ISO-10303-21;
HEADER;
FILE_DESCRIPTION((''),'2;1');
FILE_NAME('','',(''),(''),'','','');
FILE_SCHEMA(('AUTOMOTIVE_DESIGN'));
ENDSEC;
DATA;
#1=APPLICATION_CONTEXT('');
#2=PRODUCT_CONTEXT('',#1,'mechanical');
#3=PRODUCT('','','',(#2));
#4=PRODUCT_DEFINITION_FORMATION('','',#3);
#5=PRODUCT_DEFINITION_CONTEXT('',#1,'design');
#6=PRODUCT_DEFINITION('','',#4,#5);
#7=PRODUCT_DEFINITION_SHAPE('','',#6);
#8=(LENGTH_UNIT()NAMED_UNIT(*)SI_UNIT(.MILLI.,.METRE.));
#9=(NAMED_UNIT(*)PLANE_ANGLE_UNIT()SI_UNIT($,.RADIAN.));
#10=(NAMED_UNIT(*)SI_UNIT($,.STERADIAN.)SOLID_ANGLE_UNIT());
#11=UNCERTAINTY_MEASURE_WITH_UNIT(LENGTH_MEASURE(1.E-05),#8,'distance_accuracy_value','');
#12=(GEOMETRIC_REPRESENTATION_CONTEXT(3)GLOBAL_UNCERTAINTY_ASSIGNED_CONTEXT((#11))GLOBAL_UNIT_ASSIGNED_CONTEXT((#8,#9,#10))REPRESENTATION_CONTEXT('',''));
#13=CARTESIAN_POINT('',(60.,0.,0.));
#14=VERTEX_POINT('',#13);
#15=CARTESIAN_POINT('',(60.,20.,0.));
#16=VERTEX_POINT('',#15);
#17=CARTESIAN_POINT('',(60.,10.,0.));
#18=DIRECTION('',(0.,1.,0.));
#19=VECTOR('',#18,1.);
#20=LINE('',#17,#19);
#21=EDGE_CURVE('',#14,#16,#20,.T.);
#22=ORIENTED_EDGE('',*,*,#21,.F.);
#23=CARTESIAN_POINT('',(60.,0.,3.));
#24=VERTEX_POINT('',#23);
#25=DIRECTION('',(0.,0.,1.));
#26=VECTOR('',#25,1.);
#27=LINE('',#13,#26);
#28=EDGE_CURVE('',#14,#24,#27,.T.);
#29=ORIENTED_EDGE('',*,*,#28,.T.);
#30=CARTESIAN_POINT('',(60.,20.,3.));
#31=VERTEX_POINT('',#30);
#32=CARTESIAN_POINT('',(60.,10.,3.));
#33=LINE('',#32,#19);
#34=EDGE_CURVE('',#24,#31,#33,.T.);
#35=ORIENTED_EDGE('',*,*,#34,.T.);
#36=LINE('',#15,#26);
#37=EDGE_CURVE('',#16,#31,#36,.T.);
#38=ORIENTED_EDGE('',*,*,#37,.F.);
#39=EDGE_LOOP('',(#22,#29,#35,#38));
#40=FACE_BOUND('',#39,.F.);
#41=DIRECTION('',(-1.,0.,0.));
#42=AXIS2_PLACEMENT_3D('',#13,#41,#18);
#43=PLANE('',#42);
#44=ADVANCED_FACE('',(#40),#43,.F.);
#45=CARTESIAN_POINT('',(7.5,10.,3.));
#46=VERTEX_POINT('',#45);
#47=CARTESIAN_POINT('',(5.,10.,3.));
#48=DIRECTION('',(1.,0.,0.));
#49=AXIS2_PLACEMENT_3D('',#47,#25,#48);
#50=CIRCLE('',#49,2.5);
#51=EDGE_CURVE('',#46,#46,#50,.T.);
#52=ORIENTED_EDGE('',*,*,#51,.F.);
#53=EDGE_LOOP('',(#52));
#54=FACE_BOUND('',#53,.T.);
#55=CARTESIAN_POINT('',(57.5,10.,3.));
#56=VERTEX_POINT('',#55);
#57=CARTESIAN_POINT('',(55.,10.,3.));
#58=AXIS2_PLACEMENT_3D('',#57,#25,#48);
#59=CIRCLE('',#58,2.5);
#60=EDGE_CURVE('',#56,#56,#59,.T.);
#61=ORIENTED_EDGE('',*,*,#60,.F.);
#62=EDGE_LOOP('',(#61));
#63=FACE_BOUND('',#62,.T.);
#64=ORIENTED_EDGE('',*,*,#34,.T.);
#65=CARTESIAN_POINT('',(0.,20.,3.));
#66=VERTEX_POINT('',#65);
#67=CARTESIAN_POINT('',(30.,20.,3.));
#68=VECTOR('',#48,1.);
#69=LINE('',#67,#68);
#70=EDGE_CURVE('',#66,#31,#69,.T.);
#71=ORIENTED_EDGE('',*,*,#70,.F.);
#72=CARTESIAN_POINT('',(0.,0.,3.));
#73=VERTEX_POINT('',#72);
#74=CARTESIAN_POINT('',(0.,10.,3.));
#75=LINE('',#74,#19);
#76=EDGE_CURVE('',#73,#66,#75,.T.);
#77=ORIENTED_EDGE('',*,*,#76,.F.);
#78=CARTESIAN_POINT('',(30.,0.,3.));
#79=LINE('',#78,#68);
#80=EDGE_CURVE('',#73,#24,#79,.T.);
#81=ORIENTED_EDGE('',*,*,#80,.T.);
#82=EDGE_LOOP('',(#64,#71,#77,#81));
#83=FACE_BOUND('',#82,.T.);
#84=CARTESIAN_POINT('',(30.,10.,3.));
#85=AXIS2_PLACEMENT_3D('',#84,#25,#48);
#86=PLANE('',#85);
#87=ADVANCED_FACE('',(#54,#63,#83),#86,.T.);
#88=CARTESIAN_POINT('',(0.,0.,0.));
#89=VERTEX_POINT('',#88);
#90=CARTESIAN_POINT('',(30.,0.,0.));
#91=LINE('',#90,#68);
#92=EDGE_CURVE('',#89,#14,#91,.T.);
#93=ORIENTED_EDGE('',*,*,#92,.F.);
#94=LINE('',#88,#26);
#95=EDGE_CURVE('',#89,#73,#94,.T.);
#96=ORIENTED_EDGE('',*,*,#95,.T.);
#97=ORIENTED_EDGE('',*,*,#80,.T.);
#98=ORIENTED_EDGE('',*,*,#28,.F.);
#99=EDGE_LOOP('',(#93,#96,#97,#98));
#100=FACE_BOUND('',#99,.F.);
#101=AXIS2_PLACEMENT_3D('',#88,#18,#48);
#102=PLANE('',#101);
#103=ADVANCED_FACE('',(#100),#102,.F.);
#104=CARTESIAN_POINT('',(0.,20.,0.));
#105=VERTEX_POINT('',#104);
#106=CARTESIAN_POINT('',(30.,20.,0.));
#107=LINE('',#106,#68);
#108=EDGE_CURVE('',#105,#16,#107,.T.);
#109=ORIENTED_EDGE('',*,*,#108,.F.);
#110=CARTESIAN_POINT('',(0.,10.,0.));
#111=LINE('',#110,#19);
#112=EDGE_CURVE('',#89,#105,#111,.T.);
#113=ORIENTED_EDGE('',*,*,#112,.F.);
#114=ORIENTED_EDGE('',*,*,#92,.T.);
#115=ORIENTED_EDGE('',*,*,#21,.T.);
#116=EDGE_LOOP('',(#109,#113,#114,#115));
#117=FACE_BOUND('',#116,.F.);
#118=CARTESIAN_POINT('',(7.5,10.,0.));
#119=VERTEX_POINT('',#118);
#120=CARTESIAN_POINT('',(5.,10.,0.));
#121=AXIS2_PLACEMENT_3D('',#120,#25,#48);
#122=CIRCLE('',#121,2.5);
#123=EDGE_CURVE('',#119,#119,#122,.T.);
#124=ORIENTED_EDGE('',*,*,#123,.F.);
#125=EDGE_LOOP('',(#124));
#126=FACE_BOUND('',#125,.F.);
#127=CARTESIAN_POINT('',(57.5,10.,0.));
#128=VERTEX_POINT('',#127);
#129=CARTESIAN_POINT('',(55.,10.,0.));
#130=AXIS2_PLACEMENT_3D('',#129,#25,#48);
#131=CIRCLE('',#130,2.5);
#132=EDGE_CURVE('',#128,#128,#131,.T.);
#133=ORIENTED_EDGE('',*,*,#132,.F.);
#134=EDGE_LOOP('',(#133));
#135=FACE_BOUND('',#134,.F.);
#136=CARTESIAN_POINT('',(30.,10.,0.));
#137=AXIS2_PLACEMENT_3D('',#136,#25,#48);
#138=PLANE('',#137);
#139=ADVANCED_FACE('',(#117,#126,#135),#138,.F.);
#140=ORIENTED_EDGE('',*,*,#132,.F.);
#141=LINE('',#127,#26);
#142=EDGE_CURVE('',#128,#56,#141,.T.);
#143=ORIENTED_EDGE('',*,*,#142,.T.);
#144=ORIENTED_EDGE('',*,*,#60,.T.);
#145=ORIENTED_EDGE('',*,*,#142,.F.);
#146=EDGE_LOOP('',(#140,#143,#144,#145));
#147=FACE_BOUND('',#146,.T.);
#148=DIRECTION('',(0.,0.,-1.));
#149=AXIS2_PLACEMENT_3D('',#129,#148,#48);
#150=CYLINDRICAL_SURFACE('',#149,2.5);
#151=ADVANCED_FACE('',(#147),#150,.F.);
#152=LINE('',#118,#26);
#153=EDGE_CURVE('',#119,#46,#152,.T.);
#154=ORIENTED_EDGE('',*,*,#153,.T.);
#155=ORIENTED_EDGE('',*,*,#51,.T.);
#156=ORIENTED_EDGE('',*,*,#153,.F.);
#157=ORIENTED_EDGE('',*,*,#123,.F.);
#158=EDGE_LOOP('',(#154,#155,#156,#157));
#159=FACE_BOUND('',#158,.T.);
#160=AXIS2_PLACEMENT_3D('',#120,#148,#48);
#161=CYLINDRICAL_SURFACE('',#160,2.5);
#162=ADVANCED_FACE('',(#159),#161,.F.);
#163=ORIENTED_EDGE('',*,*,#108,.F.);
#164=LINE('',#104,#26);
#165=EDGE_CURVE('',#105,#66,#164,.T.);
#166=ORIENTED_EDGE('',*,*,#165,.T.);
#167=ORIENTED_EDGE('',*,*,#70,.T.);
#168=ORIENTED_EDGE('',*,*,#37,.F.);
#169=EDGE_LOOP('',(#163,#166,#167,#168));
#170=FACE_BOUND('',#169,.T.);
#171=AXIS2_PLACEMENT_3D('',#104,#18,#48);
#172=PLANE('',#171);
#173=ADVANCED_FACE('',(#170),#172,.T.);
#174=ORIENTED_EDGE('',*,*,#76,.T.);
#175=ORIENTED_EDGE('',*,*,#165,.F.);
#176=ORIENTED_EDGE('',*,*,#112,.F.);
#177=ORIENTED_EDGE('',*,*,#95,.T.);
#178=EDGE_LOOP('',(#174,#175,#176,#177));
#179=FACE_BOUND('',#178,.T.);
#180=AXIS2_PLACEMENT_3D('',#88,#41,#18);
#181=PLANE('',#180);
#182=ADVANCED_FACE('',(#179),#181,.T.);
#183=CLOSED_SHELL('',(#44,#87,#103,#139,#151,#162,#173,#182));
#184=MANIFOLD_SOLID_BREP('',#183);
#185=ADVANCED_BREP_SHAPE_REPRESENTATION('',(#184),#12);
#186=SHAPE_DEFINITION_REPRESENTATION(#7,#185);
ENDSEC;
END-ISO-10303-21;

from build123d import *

# Parameters (mm, degrees)
SKETCH_W  = 60
SKETCH_H  = 20
SKETCH_R  = 2.5
PAD_DEPTH = 3


with BuildPart() as part:
    # Sketch → Pad (new body)
    with BuildSketch(Plane.XY):
        with Locations((30, 10)):
            Rectangle(SKETCH_W, SKETCH_H)
        with Locations((5, 10)):
            Circle(SKETCH_R, mode=Mode.SUBTRACT)
        with Locations((55, 10)):
            Circle(SKETCH_R, mode=Mode.SUBTRACT)
    extrude(amount=PAD_DEPTH)


solid = part.part
